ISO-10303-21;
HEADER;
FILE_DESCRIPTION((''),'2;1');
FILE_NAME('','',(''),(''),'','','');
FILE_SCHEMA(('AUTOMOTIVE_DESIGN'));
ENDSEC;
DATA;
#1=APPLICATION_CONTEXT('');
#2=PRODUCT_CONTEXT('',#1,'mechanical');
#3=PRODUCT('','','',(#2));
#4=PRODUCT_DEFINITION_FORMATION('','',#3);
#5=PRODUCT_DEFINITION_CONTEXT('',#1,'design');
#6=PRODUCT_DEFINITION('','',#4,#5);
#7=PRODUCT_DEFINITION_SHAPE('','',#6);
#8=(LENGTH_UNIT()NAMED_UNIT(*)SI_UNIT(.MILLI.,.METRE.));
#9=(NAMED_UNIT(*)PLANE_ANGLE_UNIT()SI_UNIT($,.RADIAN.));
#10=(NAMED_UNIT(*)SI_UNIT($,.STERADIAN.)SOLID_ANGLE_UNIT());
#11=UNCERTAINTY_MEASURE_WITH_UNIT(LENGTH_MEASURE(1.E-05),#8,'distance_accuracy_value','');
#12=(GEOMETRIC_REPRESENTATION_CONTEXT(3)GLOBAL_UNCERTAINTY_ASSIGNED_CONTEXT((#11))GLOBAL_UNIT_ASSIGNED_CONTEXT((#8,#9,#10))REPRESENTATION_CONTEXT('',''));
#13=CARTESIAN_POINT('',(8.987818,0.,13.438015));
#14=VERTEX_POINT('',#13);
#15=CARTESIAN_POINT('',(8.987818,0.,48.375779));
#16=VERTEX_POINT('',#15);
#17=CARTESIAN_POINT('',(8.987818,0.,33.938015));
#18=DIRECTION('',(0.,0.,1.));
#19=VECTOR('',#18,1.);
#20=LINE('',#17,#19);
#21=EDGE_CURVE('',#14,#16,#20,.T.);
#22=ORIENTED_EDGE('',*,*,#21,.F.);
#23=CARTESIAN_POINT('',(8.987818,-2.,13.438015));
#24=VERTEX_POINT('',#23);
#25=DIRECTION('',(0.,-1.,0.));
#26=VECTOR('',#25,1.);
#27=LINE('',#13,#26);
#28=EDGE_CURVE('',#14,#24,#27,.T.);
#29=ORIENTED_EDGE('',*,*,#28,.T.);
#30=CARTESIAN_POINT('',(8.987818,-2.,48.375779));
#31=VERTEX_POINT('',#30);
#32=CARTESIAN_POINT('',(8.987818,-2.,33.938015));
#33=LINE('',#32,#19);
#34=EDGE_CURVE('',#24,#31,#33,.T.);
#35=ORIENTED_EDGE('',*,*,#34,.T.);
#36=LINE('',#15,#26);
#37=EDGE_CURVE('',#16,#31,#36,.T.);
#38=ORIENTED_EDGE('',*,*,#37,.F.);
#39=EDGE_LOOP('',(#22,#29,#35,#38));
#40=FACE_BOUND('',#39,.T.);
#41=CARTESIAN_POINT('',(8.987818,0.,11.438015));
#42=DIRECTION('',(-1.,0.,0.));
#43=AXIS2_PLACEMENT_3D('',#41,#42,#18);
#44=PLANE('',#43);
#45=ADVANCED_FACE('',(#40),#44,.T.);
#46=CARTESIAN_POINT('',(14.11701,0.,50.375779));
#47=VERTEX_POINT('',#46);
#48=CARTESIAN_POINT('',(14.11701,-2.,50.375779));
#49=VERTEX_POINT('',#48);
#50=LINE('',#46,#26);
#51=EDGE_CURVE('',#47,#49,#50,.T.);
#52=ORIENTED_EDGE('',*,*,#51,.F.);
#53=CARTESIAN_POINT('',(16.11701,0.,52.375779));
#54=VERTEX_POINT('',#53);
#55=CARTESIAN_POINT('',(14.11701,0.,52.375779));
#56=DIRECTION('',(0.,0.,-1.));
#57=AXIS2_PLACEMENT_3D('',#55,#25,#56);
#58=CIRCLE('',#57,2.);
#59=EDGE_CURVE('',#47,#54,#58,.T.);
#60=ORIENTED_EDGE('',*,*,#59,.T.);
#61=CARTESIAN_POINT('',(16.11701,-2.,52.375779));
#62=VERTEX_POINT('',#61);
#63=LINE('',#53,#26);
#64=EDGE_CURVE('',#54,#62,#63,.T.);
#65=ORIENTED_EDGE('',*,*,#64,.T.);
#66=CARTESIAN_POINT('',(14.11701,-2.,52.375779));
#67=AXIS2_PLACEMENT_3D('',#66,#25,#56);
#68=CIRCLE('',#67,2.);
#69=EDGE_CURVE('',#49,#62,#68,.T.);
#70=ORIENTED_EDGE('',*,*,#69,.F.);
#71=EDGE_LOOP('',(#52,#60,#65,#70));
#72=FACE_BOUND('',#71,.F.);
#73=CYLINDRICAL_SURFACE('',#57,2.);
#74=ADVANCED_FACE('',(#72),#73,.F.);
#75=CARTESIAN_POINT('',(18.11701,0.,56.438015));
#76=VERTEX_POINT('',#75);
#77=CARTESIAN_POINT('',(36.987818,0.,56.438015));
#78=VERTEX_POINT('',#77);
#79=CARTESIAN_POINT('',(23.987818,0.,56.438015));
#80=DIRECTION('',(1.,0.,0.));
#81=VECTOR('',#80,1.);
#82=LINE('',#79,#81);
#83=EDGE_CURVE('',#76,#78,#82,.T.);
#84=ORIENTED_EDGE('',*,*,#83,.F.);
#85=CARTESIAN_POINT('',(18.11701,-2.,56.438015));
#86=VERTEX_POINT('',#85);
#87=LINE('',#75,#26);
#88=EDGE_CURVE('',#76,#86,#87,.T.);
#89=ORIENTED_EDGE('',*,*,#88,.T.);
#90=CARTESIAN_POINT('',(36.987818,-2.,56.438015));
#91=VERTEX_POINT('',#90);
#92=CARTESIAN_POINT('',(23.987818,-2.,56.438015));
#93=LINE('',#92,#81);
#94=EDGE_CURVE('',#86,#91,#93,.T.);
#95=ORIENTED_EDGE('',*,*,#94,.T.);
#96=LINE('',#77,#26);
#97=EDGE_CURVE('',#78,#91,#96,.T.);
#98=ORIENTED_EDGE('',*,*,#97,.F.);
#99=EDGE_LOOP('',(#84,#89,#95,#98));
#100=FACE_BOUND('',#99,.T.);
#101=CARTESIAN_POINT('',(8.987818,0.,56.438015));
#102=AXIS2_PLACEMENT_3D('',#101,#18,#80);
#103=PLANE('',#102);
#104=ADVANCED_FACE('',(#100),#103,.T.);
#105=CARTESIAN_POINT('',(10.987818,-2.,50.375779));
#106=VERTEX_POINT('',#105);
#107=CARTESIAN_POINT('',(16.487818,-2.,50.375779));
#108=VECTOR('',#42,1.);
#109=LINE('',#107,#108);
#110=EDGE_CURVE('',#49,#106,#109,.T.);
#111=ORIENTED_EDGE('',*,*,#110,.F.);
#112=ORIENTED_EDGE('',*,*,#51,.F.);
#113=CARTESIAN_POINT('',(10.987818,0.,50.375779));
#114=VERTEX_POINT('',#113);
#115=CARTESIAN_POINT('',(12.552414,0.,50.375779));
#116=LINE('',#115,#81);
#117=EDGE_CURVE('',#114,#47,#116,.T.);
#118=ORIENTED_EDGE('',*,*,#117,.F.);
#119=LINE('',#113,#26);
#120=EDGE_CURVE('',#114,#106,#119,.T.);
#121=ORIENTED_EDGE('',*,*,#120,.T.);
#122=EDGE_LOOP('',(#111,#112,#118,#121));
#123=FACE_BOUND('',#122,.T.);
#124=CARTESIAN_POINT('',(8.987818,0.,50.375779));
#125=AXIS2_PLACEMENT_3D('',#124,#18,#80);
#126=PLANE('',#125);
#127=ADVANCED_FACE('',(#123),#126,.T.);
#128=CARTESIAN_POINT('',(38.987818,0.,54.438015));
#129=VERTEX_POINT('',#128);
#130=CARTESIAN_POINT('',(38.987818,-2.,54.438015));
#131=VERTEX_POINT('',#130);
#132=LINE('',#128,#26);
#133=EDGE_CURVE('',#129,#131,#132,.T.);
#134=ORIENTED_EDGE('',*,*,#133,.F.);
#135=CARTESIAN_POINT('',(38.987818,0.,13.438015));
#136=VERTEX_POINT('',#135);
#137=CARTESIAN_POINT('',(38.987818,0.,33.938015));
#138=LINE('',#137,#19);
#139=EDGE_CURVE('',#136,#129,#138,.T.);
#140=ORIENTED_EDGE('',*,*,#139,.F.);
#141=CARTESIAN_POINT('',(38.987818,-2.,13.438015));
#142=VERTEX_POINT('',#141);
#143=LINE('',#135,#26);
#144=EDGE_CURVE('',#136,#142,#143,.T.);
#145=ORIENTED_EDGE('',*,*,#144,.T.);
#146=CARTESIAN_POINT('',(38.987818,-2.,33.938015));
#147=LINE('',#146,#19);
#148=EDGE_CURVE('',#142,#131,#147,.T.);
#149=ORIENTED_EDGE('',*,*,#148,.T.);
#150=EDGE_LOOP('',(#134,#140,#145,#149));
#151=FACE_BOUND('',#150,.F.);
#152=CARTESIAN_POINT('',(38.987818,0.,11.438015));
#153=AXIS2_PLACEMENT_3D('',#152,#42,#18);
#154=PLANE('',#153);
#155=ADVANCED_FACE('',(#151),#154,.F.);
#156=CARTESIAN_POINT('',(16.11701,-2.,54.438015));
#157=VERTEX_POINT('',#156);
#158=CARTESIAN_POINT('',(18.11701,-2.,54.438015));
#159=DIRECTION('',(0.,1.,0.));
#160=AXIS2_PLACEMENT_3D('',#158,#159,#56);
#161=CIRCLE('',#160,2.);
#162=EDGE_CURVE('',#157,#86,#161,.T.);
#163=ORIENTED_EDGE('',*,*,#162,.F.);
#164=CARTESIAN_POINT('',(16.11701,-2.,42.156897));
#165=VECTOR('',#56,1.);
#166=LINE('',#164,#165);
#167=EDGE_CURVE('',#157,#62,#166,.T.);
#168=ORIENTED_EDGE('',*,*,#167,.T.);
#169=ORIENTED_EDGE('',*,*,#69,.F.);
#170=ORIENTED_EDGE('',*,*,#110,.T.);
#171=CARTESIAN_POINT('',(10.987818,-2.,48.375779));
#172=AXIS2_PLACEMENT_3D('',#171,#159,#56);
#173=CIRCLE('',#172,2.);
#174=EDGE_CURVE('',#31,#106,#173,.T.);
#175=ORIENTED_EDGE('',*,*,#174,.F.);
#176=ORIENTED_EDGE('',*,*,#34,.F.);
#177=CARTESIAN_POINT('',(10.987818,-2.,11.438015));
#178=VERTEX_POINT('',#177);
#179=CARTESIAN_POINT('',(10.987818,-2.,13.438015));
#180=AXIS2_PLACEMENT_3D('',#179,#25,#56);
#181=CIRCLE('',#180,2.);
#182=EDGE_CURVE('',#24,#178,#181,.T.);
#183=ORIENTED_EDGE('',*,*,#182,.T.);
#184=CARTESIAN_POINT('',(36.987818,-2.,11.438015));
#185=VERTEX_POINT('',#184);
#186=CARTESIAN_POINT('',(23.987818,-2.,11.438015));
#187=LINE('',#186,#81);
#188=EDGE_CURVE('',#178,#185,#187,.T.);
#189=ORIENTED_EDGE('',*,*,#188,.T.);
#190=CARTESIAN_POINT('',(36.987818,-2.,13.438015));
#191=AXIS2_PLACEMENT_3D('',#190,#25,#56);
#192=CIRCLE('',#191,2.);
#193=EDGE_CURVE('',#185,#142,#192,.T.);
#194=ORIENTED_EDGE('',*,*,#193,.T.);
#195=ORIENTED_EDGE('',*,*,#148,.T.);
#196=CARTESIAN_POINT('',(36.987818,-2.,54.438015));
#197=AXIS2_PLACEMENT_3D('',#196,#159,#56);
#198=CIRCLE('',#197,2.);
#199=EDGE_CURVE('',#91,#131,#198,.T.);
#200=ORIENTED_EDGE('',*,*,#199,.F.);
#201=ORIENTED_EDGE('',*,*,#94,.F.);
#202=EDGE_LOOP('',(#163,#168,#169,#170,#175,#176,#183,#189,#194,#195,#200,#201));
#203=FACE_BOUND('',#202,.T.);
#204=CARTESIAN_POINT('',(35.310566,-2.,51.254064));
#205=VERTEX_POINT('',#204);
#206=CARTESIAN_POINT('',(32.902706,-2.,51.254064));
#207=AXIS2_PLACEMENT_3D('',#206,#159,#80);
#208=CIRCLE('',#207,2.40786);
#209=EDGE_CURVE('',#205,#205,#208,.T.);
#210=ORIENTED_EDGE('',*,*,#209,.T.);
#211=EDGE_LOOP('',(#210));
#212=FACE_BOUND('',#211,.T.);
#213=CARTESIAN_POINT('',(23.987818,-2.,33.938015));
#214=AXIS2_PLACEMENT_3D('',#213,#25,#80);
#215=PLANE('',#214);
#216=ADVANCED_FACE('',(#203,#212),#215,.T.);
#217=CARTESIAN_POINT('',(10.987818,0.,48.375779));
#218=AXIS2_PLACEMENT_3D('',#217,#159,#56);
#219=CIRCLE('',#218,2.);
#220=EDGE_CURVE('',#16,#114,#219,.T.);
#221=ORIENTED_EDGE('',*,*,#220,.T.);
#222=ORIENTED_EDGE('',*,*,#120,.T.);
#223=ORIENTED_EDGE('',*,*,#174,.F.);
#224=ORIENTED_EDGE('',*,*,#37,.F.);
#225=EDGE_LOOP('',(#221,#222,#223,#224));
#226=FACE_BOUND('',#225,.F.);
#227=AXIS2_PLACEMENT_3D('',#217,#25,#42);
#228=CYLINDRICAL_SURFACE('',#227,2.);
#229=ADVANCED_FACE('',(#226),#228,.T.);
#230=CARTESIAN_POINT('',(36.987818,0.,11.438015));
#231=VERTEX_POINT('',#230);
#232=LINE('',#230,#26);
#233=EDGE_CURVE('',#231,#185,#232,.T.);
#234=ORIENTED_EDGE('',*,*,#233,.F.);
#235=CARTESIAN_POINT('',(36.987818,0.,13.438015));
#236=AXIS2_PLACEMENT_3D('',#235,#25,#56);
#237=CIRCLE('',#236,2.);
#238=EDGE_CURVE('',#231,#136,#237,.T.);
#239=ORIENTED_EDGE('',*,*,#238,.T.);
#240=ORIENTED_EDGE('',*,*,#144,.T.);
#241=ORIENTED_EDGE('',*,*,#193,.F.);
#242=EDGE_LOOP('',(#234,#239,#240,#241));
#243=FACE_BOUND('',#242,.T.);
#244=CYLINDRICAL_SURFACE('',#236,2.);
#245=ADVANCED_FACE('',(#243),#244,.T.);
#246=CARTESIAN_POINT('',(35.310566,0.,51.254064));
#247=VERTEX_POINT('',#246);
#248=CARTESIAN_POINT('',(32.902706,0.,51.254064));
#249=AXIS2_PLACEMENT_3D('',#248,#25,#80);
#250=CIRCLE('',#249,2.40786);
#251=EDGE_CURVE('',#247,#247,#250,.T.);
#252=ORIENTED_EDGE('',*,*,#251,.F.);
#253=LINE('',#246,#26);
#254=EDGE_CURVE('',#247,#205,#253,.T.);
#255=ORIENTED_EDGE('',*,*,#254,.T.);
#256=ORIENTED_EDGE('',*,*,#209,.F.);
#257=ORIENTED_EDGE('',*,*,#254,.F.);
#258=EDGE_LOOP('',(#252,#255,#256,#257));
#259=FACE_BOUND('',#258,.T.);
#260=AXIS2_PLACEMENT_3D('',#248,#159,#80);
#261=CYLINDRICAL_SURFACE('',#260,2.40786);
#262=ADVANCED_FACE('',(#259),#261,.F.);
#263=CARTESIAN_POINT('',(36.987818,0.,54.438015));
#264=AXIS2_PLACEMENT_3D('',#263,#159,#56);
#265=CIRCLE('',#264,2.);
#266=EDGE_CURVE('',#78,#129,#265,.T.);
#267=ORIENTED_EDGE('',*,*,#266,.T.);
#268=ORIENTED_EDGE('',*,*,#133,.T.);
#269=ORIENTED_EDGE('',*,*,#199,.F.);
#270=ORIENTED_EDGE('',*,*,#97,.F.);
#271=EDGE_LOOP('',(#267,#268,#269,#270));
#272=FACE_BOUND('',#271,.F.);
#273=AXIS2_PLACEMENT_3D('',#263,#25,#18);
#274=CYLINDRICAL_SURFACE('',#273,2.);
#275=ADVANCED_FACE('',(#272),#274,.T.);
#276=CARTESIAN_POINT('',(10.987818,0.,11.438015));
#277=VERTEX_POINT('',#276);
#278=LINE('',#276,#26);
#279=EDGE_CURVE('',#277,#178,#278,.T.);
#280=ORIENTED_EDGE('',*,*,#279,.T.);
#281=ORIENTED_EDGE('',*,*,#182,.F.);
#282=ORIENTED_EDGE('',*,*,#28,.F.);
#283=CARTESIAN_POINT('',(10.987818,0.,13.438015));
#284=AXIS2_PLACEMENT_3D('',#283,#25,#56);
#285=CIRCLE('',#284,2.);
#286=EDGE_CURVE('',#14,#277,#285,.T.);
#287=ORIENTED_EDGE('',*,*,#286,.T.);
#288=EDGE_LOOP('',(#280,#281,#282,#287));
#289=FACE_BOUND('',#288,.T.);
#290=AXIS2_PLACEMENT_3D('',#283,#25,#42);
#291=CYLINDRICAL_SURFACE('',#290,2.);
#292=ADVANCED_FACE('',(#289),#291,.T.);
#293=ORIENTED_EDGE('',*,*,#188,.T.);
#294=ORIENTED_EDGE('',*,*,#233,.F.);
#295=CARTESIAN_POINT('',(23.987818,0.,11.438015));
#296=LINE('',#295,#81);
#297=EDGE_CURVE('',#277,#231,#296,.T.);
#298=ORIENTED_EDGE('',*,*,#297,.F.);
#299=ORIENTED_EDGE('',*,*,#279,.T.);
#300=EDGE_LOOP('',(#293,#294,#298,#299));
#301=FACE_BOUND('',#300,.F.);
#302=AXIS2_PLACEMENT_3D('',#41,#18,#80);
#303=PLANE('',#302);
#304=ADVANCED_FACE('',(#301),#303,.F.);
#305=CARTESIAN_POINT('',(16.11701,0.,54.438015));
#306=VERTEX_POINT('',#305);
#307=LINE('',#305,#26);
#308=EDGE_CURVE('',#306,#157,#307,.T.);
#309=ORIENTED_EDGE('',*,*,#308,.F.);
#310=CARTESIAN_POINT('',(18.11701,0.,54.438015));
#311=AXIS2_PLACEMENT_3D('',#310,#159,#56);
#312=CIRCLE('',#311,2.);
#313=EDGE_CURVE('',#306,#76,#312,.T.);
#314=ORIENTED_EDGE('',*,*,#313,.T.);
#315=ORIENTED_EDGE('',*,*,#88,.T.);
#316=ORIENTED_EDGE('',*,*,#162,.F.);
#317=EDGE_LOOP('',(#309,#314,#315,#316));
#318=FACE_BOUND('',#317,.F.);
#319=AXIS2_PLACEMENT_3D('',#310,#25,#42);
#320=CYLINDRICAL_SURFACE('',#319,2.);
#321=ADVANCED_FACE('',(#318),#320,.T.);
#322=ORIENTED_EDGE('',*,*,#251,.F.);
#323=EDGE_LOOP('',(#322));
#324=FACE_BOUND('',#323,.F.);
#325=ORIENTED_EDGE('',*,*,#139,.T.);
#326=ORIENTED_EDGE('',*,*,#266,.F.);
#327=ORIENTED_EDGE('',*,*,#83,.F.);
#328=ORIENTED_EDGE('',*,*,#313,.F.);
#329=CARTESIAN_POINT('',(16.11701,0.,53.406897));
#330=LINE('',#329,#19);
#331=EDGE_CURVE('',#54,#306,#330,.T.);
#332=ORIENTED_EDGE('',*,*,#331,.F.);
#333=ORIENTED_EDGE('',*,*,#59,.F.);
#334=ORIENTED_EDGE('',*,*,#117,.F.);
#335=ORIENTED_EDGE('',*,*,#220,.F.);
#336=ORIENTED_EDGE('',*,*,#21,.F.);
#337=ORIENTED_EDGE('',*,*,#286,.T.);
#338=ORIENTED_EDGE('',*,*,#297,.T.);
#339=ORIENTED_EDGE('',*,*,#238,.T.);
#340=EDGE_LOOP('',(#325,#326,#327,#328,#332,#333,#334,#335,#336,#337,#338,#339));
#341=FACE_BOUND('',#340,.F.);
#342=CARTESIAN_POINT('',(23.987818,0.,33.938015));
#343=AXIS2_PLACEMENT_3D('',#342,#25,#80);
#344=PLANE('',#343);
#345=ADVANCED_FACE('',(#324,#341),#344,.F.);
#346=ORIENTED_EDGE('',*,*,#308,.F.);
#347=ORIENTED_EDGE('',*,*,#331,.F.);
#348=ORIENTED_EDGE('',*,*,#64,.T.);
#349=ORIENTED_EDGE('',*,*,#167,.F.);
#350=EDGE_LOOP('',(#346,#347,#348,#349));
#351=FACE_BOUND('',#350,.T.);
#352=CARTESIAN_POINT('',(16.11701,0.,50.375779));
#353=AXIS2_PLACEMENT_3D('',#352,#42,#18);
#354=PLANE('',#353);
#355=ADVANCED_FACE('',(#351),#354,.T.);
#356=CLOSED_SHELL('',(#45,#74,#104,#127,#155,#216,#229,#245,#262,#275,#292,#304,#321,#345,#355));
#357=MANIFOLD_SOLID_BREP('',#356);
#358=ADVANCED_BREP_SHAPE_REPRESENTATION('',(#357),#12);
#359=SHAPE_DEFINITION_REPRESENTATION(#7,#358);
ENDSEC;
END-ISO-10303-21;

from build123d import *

# Parameters (mm, degrees)
F0_W     = 30
F0_H     = 45
F1_DEPTH = 2
F2_W     = 7.129192
F2_H     = 6.062236
F2_R     = 2.40786
F3_DEPTH = 2.001
F4_R     = 2


with BuildPart() as f1:
    # F0 (on Front) → F1 (new body)
    with BuildSketch(Plane.XZ):
        with Locations((23.987818, 33.938015)):
            Rectangle(F0_W, F0_H)
    extrude(amount=F1_DEPTH)

    # F2 (on Front) → F3 (cut, through all)
    with BuildSketch(Plane.XZ):
        with Locations((12.552414, 53.406897)):
            Rectangle(F2_W, F2_H)
        with Locations((32.902706, 51.254064)):
            Circle(F2_R)
    extrude(amount=F3_DEPTH, mode=Mode.SUBTRACT)

    # F4
    f4_edges = [f1.edges().sort_by_distance(p)[0] for p in [
        (8.987818, -1, 50.375779),
        (16.11701, -1, 50.375779),
        (16.11701, -1, 56.438015),
        (38.987818, -1, 56.438015),
        (38.987818, -1, 11.438015),
        (8.987818, -1, 11.438015),
    ]]
    fillet(f4_edges, radius=F4_R)


solid = f1.part
